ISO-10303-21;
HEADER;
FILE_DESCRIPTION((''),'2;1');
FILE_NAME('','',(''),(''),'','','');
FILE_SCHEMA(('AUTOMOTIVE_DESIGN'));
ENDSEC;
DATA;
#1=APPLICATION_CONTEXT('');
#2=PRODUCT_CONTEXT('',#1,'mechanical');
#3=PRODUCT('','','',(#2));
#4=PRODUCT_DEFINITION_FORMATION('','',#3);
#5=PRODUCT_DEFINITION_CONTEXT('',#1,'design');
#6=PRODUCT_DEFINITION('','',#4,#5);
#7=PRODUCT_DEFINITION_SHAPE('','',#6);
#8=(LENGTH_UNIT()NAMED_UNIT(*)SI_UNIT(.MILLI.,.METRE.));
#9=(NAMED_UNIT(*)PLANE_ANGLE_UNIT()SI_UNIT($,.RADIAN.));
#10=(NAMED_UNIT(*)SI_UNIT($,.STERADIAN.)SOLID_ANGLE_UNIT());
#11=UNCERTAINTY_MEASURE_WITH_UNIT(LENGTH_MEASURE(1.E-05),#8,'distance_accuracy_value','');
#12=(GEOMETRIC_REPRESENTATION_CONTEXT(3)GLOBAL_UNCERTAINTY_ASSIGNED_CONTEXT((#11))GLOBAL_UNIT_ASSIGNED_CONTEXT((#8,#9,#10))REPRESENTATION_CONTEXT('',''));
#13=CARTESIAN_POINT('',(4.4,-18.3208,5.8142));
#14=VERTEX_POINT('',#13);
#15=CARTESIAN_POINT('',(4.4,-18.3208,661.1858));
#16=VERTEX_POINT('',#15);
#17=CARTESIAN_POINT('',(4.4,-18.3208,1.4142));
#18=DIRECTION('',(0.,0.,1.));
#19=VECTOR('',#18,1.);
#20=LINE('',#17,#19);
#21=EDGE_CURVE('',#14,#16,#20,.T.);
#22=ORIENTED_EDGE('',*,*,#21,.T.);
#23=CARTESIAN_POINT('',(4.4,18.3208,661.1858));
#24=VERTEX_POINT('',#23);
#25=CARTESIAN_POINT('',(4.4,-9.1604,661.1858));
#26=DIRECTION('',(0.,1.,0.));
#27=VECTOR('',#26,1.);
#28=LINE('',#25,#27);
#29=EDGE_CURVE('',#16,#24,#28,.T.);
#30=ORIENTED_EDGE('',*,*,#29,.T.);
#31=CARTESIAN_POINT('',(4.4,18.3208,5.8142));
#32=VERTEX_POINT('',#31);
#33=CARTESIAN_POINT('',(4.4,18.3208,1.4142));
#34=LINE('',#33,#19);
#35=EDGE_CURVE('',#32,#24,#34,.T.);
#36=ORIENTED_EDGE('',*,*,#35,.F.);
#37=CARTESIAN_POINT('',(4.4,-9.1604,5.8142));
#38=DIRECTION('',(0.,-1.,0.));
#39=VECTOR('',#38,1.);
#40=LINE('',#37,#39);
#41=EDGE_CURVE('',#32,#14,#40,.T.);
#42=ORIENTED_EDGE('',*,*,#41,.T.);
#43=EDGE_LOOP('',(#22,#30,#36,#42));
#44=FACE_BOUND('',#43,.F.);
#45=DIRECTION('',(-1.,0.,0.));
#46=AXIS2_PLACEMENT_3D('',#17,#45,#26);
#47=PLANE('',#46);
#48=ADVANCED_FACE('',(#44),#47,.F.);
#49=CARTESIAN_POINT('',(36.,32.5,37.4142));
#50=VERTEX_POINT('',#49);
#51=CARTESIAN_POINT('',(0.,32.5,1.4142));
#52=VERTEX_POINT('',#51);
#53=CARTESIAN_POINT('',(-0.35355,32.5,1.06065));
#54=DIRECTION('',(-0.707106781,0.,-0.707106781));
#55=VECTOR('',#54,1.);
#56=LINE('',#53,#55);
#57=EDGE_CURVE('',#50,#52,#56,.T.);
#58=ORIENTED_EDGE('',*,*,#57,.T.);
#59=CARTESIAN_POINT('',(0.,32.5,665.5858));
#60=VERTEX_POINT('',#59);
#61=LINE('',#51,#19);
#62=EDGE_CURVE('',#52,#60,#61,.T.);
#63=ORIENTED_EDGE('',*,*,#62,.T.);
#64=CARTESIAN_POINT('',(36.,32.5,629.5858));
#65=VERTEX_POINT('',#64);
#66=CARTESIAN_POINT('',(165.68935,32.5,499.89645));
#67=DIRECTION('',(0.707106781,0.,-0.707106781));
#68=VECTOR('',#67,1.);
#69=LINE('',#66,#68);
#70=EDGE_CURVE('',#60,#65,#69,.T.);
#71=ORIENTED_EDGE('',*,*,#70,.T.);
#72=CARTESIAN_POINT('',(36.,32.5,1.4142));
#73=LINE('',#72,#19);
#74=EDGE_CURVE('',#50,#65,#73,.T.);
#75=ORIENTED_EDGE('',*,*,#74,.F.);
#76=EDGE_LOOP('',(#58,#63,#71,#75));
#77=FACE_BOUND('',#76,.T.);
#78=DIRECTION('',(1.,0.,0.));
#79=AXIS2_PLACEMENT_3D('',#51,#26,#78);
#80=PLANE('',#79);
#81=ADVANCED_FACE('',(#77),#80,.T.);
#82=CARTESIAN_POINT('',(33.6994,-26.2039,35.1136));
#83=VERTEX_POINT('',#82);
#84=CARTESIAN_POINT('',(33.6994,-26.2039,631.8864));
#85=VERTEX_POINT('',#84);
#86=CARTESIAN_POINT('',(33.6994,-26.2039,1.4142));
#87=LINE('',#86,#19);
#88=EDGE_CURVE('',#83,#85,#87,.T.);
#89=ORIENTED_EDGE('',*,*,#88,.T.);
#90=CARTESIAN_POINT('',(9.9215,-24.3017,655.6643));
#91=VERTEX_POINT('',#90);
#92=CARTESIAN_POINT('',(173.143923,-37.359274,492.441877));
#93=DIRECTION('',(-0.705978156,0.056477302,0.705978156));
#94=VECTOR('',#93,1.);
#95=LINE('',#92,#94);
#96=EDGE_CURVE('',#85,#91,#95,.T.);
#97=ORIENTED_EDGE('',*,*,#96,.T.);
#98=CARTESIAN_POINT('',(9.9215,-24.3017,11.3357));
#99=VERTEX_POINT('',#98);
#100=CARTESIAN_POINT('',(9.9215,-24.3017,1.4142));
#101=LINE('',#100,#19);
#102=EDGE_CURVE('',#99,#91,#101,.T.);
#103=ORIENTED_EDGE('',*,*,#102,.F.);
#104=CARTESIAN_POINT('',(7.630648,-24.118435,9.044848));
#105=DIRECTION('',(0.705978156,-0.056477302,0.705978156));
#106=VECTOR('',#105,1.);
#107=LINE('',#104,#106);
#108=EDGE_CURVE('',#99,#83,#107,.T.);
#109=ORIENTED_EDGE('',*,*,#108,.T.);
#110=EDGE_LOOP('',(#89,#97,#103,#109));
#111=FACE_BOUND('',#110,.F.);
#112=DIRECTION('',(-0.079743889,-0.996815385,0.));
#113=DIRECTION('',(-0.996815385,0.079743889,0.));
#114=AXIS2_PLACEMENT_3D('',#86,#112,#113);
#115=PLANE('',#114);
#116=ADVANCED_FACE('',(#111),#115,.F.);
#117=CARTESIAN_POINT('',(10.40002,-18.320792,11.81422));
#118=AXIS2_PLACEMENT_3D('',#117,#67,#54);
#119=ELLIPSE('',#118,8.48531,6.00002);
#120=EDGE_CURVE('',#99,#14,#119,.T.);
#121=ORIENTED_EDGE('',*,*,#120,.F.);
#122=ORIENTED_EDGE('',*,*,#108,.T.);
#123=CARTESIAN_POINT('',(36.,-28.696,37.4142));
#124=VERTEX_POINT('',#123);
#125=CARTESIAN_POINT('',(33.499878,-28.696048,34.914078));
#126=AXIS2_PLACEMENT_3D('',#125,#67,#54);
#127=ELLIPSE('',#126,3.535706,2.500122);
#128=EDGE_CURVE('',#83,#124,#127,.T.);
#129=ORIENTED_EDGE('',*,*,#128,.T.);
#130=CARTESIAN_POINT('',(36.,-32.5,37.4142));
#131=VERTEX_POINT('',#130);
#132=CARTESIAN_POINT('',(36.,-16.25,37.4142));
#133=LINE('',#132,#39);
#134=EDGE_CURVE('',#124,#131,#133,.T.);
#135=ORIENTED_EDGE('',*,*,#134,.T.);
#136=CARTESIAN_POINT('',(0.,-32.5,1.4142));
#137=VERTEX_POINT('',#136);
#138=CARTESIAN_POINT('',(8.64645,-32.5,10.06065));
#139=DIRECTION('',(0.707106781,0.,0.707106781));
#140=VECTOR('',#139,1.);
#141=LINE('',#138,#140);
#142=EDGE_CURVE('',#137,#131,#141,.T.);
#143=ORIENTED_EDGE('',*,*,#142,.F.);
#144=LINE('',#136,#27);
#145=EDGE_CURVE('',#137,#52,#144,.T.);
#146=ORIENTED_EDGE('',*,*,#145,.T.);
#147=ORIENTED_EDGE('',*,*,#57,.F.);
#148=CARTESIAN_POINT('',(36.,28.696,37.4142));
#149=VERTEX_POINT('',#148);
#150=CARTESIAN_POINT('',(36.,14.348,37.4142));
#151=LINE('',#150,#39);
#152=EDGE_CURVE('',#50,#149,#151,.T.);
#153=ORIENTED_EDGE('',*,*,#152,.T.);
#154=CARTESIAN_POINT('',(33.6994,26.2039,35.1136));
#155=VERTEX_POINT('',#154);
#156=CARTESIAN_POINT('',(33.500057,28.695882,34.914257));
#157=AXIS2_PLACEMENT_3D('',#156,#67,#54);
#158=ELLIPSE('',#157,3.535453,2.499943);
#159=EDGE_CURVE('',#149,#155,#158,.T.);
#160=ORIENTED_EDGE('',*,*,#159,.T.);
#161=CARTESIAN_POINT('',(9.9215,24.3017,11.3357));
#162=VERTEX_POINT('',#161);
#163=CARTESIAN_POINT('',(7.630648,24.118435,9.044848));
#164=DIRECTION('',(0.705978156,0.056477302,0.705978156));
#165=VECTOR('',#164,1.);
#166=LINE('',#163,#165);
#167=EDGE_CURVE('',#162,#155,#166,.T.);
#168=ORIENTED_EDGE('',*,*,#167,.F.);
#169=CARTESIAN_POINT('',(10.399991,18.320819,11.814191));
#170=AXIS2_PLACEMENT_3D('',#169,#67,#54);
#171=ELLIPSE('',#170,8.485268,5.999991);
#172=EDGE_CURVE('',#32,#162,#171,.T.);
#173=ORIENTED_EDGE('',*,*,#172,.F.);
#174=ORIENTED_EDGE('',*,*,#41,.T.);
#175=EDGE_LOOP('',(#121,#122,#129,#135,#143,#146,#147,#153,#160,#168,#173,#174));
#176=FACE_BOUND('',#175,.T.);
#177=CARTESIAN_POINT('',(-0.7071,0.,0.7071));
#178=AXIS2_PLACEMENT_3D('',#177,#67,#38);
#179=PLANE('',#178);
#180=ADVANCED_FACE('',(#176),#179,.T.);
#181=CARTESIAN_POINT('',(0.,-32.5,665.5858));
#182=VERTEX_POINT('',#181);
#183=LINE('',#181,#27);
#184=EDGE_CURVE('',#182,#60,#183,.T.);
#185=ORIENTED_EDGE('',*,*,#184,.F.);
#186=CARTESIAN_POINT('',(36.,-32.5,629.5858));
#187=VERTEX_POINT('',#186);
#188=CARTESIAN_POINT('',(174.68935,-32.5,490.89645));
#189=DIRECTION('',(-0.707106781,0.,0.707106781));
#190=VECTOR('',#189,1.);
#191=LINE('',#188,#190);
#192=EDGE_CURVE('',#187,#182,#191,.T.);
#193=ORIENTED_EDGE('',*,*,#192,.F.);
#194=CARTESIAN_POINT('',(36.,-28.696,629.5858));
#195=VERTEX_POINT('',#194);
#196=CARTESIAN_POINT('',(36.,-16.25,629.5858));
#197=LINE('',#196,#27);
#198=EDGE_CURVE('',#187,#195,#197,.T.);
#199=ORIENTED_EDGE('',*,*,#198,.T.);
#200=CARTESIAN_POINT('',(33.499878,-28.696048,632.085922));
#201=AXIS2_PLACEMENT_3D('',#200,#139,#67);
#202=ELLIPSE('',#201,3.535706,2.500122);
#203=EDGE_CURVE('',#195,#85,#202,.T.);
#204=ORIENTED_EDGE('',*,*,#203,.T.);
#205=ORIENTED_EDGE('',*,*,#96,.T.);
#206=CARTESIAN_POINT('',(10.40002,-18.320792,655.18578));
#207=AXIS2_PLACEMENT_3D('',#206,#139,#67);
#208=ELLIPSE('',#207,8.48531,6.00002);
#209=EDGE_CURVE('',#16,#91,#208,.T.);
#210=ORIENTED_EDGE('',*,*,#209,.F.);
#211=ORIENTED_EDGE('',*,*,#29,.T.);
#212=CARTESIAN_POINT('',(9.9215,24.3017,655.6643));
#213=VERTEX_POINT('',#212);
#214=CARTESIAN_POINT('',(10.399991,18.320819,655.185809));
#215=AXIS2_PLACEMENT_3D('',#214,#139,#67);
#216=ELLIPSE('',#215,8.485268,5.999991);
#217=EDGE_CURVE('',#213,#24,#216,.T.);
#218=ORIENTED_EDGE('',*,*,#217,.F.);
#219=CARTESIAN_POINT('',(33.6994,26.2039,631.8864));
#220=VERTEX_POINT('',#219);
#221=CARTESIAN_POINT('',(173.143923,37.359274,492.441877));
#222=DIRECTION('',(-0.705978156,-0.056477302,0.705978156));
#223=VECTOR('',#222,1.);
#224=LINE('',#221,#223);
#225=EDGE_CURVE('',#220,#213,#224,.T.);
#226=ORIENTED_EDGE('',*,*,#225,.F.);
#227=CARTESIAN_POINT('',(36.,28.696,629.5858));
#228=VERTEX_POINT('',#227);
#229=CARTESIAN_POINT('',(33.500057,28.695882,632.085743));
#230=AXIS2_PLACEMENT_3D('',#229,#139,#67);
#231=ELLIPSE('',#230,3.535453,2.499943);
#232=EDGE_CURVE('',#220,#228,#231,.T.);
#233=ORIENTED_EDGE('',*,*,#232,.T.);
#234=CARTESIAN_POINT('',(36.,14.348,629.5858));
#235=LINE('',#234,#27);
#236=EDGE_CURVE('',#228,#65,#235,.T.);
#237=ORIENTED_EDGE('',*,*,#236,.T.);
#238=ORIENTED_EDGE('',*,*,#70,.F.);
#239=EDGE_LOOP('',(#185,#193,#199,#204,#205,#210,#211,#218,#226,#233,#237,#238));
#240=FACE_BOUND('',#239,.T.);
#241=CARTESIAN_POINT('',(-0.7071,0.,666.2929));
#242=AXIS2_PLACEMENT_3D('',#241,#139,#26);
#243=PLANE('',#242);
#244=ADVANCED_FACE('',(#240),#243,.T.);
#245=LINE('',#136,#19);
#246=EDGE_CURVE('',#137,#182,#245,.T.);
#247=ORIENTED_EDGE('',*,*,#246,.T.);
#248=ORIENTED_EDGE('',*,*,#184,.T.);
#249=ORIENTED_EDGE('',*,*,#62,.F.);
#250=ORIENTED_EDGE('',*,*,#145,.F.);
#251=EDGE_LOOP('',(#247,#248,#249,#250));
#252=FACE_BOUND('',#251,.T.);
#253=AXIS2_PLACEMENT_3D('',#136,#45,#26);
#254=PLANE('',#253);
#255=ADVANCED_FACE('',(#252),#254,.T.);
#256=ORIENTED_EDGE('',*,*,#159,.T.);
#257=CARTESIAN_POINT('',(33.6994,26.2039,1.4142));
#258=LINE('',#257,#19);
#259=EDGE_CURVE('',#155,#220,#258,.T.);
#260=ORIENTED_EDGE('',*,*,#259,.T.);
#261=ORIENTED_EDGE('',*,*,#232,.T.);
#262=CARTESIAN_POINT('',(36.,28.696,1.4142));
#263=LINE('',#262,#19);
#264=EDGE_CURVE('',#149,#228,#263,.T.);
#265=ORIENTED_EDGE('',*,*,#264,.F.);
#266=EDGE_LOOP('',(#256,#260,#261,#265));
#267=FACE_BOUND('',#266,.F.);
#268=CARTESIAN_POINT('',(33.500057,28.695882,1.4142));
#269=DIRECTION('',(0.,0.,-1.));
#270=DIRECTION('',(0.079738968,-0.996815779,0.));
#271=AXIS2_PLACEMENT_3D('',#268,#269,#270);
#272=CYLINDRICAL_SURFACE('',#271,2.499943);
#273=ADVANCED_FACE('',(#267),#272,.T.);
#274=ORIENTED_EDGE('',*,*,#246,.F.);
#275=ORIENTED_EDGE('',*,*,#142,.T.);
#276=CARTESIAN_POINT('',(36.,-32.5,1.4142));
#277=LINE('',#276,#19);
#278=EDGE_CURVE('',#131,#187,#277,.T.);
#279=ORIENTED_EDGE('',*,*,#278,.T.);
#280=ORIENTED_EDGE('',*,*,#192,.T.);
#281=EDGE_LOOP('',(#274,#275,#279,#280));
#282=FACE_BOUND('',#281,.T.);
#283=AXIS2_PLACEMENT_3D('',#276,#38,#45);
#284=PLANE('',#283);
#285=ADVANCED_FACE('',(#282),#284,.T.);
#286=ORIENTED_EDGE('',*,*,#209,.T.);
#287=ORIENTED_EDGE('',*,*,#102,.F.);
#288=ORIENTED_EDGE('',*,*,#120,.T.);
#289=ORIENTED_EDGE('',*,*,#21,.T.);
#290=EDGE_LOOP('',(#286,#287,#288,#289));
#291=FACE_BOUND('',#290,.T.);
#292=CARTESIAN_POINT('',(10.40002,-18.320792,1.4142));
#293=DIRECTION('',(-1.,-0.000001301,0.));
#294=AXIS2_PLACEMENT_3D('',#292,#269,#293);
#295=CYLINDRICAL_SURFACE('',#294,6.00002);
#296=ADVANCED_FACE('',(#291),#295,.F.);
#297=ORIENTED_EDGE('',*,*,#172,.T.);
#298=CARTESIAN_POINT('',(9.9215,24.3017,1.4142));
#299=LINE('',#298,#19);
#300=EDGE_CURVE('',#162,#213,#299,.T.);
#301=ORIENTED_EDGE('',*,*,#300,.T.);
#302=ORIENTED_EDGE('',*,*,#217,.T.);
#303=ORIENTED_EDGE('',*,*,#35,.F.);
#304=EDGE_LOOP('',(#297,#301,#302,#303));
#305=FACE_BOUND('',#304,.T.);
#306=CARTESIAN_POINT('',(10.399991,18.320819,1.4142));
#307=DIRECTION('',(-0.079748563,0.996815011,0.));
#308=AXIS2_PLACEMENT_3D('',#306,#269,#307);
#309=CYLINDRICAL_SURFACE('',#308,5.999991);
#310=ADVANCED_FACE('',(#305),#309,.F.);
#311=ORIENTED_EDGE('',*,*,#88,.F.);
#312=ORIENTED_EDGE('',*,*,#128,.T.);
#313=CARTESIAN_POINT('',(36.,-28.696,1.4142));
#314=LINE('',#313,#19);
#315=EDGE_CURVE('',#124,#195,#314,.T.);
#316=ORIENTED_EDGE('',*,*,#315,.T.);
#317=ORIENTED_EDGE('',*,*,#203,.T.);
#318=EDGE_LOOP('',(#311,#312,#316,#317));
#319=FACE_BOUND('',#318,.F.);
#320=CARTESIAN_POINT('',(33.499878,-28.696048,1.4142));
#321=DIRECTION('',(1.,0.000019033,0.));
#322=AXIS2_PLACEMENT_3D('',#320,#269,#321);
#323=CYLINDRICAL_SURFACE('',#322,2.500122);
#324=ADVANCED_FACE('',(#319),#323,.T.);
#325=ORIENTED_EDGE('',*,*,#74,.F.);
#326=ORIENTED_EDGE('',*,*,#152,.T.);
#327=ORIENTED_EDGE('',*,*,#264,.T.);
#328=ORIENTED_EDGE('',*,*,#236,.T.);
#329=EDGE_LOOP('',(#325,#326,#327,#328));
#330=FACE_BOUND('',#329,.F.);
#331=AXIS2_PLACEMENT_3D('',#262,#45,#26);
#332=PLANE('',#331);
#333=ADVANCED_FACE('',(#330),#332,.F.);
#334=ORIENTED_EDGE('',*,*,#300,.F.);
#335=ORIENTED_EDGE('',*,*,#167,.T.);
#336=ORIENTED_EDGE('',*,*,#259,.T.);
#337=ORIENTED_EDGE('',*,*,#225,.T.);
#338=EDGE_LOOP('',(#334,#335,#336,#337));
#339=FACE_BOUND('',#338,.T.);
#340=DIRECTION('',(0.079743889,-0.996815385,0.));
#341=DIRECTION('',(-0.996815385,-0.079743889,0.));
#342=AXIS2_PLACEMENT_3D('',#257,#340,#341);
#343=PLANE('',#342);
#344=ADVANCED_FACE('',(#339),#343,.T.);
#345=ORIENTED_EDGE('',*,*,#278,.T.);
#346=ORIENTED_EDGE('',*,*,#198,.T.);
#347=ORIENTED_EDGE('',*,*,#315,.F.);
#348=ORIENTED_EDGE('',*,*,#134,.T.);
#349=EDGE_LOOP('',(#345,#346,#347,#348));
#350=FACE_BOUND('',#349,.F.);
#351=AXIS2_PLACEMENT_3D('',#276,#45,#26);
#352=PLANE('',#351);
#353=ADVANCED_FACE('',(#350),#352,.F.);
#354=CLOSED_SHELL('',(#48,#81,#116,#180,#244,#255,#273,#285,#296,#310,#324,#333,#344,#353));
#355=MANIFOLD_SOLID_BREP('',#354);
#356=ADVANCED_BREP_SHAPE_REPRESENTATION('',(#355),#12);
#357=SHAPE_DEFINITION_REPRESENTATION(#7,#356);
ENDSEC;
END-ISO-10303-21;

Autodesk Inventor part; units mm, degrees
ref_plane "Начальная плоскость" through (0, 0, 1.4142) normal (0, 0, 1) x (1, 0, 0)
ref_plane "Конечная плоскость" through (0, 0, 665.5858) normal (0, 0, 1) x (1, 0, 0)
sketch "Эскиз" plane through (0, 0, 0) normal (0, 0, 1) x (1, 0, 0)
  line L0 (36, -32.5) -> (0, -32.5)
  line L1 (36, -32.5) -> (36, -28.696)
  line L2 (33.6994, -26.2039) -> (9.9215, -24.3017)
  line L3 (4.4, -18.3208) -> (4.4, 18.3208)
  line L4 (33.6994, 26.2039) -> (9.9215, 24.3017)
  line L5 (36, 28.696) -> (36, 32.5)
  line L6 (0, 32.5) -> (36, 32.5)
  line L7 (0, -32.5) -> (0, 32.5)
  arc A0 (4.4, -18.3208) -> (9.9215, -24.3017) centre (10.4, -18.3208) ccw
  arc A1 (9.9215, 24.3017) -> (4.4, 18.3208) centre (10.4, 18.3208) ccw
  arc A2 (36, -28.696) -> (33.6994, -26.2039) centre (33.5, -28.696) ccw
  arc A3 (33.6994, 26.2039) -> (36, 28.696) centre (33.5, 28.696) ccw
  line L8 (0, 45.5) -> (0, -45.5) construction
  line L9 (-7.2974, 0) -> (43.7847, 0) construction
  point P0 (36, -26.388)
  point P1 (4.4, -23.86)
  point P2 (4.4, 23.86)
  point P3 (36, 26.388)
  dimension "d3" = 36
  dimension "d5" = 4.4
  dimension "d7" = 65
  dimension "d9" = 8.64
  dimension "d11" = 8.64
  dimension "d13" = 6.112
  dimension "d15" = 6.112
  dimension "d22" = 6
  dimension "d23" = 2.5
  dimension "d24" = 32.5
  dimension "d25" = 0
extrude "Тело" add sketch "Эскиз" along normal up to surface (664.1716 mm away) from surface at 1.4142
sketch "Sketch3" plane through (0, 0, 0) normal (0, 0, 1) x (1, 0, 0)
  line L0 (0, 0) -> (10, 0)
ref_plane "Work Plane7" through (0, 0, 0) normal (0, -1, 0) x (1, 0, 0)
sketch "Sketch4" plane through (0, 0, 0) normal (0, -1, 0) x (1, 0, 0)
  line L0 (-2, 1.4142) -> (12, 1.4142)
  line L1 (-2, 665.5858) -> (12, 665.5858)
  dimension "d29" = 664.1716
ref_plane "РабПлоскость8" through (-0.7071, 0, 666.2929) normal (0.7071, 0, 0.7071) x (0.7071, 0, -0.7071)
split "Разделение1" plane through (-0.7071, 0, 666.2929) removes the side toward (0.7071, 0, 0.7071)
ref_plane "РабПлоскость9" through (-0.7071, 0, 0.7071) normal (0.7071, 0, -0.7071) x (-0.7071, 0, -0.7071)
split "Разделение2" plane through (-0.7071, 0, 0.7071) removes the side toward (0.7071, 0, -0.7071)
equation "\"d3\" = b"
equation "\"d5\" = t1"
equation "\"d7\" = ParH"
equation "\"d9\" = msp_x1 + t2"
equation "\"d11\" = msp_x1 + t2"
equation "\"d13\" = -msp_x2 + t2"
equation "\"d15\" = -msp_x2 + t2"
equation "\"d22\" = R"
equation "\"d23\" = R1"
equation "\"d24\" = 0.5 * d7"
equation "\"d16\" = G_L"
equation "\"R1\" = 2.5"
equation "\"R\" = 6"
equation "\"t1\" = 4.4"
equation "\"t2\" = 7.2"
equation "\"ParH\" = 65"
equation "\"b\" = 36"
equation "\"msp_x1\" = 0.04 * b"
equation "\"msp_x2\" = -0.08 * t1 + 0.04 * b"
equation "\"G_L\" = d29"
equation "\"ex\" = 0"
equation "\"G_OFFSET_START\" = -1.41421"
equation "\"G_OFFSET_END\" = -1.41421"
equation "\"d26\" = -G_OFFSET_START"
equation "\"d27\" = G_OFFSET_END + B_L"
equation "\"B_L\" = 667"
properties part number "Швеллер 6.5U-664,17 ГОСТ 8240-97" material "Сталь, мягкая"
